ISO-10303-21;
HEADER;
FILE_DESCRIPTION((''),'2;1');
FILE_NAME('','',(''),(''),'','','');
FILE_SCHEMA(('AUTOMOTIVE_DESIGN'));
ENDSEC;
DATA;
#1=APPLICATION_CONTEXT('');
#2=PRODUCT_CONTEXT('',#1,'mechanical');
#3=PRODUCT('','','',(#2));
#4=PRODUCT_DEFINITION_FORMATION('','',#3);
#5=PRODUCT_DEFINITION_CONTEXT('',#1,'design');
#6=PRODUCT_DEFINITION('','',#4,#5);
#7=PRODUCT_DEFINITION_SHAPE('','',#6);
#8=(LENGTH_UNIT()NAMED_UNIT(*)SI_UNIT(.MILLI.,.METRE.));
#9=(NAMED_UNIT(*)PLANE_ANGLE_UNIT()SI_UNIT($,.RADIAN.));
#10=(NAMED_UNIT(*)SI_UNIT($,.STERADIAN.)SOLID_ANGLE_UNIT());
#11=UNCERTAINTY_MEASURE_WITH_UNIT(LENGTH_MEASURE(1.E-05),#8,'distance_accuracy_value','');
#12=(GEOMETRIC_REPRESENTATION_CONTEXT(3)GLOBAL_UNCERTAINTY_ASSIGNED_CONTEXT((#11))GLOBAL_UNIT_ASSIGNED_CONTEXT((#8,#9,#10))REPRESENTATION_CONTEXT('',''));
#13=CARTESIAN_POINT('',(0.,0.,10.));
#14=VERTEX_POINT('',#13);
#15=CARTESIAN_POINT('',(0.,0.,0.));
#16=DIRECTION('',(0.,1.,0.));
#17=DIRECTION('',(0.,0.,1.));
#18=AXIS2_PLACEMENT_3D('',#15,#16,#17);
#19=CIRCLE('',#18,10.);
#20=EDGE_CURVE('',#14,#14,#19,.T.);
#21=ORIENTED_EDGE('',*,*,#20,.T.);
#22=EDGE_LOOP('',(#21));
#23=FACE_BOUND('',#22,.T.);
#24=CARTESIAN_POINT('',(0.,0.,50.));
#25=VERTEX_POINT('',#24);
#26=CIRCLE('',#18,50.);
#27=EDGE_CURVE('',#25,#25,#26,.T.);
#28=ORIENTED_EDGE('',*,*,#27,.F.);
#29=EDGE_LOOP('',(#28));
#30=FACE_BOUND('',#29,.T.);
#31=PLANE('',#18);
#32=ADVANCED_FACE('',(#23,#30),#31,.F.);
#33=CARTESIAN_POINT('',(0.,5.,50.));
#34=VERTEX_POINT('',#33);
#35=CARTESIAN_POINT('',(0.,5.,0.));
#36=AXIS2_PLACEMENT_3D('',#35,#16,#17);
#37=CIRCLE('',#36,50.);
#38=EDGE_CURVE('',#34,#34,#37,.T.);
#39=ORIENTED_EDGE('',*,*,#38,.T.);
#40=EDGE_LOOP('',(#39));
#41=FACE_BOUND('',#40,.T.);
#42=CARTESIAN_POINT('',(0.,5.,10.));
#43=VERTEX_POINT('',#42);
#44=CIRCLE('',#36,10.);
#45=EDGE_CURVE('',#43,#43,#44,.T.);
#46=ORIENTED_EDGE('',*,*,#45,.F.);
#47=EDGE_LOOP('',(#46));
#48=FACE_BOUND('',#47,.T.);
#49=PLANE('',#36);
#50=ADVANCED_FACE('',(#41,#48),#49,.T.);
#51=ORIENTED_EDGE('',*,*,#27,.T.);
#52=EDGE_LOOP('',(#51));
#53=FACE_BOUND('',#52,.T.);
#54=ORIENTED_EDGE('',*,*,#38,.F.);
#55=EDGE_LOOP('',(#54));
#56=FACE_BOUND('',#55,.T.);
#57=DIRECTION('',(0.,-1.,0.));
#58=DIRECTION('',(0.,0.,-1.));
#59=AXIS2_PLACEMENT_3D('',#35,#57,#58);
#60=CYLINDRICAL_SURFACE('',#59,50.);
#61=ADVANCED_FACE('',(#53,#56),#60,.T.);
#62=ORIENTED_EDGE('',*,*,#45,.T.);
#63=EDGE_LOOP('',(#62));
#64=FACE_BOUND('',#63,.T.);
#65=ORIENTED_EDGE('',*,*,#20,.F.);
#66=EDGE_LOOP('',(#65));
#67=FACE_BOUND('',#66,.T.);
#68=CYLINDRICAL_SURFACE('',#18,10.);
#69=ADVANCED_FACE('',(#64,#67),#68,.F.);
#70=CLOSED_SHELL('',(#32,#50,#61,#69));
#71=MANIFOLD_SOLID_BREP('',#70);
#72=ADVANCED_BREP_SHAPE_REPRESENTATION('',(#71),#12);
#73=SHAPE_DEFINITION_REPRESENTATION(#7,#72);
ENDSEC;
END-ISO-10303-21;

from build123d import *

# Parameters (mm, degrees)
SKETCH1_R           = 50
BOSS_EXTRUDE1_DEPTH = 5
SKETCH2_R           = 10
CUT_EXTRUDE1_DEPTH  = 5


with BuildPart() as part:
    # Sketch1 → Boss-Extrude1 (new body)
    with BuildSketch(Plane(origin=(0, 0, 0), x_dir=(1, 0, 0), z_dir=(0, 1, 0))):
        with Locations(Location((0, 0, 0), (0, 0, 270))):
            Circle(SKETCH1_R)
    extrude(amount=BOSS_EXTRUDE1_DEPTH)

    # Sketch2 → Cut-Extrude1 (cut)
    with BuildSketch(Plane(origin=(0, 5, 0), x_dir=(1, 0, 0), z_dir=(0, 1, 0))):
        with Locations(Location((0, 0, 0), (0, 0, 270))):
            Circle(SKETCH2_R)
    extrude(amount=-CUT_EXTRUDE1_DEPTH, mode=Mode.SUBTRACT)


solid = part.part
